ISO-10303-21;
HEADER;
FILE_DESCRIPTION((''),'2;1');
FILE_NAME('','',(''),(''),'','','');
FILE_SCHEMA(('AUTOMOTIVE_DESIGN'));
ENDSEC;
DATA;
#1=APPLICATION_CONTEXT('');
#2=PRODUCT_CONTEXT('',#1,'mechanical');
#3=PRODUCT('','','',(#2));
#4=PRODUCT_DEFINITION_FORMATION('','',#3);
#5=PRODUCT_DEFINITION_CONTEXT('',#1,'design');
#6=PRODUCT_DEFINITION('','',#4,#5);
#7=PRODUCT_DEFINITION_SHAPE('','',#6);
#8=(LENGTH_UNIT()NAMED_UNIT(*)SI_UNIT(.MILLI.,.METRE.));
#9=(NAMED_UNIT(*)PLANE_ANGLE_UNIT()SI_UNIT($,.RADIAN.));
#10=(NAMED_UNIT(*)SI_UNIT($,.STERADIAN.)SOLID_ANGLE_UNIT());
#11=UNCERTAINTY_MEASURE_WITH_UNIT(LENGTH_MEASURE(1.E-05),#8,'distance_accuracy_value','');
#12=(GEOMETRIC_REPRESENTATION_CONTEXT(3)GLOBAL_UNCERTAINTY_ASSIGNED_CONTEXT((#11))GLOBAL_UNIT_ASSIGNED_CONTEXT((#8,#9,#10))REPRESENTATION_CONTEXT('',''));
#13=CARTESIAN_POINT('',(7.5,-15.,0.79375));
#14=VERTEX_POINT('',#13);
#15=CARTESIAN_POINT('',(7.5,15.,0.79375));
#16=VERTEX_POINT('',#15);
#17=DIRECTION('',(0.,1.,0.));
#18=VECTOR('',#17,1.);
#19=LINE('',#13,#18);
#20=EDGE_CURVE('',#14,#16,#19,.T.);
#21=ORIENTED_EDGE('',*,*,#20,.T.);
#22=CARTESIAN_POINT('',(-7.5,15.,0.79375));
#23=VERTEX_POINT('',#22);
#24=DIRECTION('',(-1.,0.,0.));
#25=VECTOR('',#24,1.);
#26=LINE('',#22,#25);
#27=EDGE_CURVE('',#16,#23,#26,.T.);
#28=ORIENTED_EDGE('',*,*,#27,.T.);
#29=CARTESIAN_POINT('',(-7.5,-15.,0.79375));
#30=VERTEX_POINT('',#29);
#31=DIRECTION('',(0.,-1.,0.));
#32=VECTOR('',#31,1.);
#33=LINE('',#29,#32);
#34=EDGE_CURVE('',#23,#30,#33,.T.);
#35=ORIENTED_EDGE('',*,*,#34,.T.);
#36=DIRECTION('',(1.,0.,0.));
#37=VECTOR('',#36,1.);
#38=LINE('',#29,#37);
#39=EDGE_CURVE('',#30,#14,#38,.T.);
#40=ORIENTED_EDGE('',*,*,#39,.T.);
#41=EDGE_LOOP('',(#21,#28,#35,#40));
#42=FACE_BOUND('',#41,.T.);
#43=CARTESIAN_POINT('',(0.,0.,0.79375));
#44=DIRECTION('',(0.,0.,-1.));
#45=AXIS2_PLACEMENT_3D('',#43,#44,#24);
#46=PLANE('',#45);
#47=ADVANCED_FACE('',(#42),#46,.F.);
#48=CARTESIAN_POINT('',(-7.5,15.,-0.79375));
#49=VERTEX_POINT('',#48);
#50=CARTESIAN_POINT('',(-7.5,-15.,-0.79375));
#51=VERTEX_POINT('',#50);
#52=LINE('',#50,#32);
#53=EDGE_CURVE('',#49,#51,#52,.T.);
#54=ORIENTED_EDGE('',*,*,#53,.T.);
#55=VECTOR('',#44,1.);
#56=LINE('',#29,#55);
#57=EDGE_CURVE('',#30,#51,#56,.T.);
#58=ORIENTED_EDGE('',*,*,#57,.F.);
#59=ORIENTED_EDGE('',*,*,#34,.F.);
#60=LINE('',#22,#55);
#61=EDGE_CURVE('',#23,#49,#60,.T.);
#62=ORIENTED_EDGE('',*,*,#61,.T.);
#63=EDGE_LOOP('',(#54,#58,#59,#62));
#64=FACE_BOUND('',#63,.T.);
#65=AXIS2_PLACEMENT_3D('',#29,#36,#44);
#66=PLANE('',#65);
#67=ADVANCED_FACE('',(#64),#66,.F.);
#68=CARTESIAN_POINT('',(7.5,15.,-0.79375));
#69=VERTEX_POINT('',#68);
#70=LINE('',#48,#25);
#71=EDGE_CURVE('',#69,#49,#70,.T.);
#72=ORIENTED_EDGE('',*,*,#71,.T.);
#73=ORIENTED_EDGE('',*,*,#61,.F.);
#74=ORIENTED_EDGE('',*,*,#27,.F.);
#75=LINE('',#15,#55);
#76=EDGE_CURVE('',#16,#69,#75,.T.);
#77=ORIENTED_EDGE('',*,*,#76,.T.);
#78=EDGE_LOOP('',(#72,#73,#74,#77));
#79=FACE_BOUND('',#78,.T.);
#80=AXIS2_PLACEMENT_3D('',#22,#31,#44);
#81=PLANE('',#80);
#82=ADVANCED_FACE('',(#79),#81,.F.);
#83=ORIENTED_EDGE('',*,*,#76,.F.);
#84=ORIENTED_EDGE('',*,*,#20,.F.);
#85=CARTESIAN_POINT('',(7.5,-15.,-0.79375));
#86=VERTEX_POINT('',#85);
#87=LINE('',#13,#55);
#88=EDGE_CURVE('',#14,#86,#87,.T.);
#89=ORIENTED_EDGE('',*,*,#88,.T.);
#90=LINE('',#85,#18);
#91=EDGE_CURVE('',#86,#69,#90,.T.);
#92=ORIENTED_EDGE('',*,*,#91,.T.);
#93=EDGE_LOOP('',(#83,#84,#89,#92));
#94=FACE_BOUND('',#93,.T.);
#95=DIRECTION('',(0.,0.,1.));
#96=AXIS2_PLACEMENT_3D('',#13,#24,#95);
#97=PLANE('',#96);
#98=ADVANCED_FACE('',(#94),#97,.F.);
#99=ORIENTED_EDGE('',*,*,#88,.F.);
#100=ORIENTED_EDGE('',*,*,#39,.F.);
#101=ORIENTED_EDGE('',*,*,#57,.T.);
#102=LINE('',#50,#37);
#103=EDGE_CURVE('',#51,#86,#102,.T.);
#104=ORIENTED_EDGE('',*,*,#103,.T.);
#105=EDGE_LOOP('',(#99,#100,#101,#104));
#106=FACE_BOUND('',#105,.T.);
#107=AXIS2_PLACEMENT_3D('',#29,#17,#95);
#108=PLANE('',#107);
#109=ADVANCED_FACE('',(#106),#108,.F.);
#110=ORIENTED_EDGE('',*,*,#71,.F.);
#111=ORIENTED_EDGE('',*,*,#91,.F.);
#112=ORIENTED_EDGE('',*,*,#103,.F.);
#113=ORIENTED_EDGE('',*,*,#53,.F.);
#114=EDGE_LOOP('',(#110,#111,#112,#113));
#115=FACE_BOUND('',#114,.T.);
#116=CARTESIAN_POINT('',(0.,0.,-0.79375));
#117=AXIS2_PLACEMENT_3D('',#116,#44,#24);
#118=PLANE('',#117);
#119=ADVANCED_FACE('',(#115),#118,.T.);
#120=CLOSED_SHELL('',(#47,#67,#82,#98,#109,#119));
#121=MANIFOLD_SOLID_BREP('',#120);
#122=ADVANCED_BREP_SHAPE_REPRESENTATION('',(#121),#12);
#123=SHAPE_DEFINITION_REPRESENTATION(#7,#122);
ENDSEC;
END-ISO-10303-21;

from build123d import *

# Parameters (mm, degrees)
SKETCH1_W           = 15
SKETCH1_H           = 30
BOSS_EXTRUDE1_DEPTH = 0.79375


with BuildPart() as part:
    # Sketch1 → Boss-Extrude1 (new, symmetric)
    with BuildSketch(Plane.XY):
        Rectangle(SKETCH1_W, SKETCH1_H)
    extrude(amount=BOSS_EXTRUDE1_DEPTH, both=True)


solid = part.part
